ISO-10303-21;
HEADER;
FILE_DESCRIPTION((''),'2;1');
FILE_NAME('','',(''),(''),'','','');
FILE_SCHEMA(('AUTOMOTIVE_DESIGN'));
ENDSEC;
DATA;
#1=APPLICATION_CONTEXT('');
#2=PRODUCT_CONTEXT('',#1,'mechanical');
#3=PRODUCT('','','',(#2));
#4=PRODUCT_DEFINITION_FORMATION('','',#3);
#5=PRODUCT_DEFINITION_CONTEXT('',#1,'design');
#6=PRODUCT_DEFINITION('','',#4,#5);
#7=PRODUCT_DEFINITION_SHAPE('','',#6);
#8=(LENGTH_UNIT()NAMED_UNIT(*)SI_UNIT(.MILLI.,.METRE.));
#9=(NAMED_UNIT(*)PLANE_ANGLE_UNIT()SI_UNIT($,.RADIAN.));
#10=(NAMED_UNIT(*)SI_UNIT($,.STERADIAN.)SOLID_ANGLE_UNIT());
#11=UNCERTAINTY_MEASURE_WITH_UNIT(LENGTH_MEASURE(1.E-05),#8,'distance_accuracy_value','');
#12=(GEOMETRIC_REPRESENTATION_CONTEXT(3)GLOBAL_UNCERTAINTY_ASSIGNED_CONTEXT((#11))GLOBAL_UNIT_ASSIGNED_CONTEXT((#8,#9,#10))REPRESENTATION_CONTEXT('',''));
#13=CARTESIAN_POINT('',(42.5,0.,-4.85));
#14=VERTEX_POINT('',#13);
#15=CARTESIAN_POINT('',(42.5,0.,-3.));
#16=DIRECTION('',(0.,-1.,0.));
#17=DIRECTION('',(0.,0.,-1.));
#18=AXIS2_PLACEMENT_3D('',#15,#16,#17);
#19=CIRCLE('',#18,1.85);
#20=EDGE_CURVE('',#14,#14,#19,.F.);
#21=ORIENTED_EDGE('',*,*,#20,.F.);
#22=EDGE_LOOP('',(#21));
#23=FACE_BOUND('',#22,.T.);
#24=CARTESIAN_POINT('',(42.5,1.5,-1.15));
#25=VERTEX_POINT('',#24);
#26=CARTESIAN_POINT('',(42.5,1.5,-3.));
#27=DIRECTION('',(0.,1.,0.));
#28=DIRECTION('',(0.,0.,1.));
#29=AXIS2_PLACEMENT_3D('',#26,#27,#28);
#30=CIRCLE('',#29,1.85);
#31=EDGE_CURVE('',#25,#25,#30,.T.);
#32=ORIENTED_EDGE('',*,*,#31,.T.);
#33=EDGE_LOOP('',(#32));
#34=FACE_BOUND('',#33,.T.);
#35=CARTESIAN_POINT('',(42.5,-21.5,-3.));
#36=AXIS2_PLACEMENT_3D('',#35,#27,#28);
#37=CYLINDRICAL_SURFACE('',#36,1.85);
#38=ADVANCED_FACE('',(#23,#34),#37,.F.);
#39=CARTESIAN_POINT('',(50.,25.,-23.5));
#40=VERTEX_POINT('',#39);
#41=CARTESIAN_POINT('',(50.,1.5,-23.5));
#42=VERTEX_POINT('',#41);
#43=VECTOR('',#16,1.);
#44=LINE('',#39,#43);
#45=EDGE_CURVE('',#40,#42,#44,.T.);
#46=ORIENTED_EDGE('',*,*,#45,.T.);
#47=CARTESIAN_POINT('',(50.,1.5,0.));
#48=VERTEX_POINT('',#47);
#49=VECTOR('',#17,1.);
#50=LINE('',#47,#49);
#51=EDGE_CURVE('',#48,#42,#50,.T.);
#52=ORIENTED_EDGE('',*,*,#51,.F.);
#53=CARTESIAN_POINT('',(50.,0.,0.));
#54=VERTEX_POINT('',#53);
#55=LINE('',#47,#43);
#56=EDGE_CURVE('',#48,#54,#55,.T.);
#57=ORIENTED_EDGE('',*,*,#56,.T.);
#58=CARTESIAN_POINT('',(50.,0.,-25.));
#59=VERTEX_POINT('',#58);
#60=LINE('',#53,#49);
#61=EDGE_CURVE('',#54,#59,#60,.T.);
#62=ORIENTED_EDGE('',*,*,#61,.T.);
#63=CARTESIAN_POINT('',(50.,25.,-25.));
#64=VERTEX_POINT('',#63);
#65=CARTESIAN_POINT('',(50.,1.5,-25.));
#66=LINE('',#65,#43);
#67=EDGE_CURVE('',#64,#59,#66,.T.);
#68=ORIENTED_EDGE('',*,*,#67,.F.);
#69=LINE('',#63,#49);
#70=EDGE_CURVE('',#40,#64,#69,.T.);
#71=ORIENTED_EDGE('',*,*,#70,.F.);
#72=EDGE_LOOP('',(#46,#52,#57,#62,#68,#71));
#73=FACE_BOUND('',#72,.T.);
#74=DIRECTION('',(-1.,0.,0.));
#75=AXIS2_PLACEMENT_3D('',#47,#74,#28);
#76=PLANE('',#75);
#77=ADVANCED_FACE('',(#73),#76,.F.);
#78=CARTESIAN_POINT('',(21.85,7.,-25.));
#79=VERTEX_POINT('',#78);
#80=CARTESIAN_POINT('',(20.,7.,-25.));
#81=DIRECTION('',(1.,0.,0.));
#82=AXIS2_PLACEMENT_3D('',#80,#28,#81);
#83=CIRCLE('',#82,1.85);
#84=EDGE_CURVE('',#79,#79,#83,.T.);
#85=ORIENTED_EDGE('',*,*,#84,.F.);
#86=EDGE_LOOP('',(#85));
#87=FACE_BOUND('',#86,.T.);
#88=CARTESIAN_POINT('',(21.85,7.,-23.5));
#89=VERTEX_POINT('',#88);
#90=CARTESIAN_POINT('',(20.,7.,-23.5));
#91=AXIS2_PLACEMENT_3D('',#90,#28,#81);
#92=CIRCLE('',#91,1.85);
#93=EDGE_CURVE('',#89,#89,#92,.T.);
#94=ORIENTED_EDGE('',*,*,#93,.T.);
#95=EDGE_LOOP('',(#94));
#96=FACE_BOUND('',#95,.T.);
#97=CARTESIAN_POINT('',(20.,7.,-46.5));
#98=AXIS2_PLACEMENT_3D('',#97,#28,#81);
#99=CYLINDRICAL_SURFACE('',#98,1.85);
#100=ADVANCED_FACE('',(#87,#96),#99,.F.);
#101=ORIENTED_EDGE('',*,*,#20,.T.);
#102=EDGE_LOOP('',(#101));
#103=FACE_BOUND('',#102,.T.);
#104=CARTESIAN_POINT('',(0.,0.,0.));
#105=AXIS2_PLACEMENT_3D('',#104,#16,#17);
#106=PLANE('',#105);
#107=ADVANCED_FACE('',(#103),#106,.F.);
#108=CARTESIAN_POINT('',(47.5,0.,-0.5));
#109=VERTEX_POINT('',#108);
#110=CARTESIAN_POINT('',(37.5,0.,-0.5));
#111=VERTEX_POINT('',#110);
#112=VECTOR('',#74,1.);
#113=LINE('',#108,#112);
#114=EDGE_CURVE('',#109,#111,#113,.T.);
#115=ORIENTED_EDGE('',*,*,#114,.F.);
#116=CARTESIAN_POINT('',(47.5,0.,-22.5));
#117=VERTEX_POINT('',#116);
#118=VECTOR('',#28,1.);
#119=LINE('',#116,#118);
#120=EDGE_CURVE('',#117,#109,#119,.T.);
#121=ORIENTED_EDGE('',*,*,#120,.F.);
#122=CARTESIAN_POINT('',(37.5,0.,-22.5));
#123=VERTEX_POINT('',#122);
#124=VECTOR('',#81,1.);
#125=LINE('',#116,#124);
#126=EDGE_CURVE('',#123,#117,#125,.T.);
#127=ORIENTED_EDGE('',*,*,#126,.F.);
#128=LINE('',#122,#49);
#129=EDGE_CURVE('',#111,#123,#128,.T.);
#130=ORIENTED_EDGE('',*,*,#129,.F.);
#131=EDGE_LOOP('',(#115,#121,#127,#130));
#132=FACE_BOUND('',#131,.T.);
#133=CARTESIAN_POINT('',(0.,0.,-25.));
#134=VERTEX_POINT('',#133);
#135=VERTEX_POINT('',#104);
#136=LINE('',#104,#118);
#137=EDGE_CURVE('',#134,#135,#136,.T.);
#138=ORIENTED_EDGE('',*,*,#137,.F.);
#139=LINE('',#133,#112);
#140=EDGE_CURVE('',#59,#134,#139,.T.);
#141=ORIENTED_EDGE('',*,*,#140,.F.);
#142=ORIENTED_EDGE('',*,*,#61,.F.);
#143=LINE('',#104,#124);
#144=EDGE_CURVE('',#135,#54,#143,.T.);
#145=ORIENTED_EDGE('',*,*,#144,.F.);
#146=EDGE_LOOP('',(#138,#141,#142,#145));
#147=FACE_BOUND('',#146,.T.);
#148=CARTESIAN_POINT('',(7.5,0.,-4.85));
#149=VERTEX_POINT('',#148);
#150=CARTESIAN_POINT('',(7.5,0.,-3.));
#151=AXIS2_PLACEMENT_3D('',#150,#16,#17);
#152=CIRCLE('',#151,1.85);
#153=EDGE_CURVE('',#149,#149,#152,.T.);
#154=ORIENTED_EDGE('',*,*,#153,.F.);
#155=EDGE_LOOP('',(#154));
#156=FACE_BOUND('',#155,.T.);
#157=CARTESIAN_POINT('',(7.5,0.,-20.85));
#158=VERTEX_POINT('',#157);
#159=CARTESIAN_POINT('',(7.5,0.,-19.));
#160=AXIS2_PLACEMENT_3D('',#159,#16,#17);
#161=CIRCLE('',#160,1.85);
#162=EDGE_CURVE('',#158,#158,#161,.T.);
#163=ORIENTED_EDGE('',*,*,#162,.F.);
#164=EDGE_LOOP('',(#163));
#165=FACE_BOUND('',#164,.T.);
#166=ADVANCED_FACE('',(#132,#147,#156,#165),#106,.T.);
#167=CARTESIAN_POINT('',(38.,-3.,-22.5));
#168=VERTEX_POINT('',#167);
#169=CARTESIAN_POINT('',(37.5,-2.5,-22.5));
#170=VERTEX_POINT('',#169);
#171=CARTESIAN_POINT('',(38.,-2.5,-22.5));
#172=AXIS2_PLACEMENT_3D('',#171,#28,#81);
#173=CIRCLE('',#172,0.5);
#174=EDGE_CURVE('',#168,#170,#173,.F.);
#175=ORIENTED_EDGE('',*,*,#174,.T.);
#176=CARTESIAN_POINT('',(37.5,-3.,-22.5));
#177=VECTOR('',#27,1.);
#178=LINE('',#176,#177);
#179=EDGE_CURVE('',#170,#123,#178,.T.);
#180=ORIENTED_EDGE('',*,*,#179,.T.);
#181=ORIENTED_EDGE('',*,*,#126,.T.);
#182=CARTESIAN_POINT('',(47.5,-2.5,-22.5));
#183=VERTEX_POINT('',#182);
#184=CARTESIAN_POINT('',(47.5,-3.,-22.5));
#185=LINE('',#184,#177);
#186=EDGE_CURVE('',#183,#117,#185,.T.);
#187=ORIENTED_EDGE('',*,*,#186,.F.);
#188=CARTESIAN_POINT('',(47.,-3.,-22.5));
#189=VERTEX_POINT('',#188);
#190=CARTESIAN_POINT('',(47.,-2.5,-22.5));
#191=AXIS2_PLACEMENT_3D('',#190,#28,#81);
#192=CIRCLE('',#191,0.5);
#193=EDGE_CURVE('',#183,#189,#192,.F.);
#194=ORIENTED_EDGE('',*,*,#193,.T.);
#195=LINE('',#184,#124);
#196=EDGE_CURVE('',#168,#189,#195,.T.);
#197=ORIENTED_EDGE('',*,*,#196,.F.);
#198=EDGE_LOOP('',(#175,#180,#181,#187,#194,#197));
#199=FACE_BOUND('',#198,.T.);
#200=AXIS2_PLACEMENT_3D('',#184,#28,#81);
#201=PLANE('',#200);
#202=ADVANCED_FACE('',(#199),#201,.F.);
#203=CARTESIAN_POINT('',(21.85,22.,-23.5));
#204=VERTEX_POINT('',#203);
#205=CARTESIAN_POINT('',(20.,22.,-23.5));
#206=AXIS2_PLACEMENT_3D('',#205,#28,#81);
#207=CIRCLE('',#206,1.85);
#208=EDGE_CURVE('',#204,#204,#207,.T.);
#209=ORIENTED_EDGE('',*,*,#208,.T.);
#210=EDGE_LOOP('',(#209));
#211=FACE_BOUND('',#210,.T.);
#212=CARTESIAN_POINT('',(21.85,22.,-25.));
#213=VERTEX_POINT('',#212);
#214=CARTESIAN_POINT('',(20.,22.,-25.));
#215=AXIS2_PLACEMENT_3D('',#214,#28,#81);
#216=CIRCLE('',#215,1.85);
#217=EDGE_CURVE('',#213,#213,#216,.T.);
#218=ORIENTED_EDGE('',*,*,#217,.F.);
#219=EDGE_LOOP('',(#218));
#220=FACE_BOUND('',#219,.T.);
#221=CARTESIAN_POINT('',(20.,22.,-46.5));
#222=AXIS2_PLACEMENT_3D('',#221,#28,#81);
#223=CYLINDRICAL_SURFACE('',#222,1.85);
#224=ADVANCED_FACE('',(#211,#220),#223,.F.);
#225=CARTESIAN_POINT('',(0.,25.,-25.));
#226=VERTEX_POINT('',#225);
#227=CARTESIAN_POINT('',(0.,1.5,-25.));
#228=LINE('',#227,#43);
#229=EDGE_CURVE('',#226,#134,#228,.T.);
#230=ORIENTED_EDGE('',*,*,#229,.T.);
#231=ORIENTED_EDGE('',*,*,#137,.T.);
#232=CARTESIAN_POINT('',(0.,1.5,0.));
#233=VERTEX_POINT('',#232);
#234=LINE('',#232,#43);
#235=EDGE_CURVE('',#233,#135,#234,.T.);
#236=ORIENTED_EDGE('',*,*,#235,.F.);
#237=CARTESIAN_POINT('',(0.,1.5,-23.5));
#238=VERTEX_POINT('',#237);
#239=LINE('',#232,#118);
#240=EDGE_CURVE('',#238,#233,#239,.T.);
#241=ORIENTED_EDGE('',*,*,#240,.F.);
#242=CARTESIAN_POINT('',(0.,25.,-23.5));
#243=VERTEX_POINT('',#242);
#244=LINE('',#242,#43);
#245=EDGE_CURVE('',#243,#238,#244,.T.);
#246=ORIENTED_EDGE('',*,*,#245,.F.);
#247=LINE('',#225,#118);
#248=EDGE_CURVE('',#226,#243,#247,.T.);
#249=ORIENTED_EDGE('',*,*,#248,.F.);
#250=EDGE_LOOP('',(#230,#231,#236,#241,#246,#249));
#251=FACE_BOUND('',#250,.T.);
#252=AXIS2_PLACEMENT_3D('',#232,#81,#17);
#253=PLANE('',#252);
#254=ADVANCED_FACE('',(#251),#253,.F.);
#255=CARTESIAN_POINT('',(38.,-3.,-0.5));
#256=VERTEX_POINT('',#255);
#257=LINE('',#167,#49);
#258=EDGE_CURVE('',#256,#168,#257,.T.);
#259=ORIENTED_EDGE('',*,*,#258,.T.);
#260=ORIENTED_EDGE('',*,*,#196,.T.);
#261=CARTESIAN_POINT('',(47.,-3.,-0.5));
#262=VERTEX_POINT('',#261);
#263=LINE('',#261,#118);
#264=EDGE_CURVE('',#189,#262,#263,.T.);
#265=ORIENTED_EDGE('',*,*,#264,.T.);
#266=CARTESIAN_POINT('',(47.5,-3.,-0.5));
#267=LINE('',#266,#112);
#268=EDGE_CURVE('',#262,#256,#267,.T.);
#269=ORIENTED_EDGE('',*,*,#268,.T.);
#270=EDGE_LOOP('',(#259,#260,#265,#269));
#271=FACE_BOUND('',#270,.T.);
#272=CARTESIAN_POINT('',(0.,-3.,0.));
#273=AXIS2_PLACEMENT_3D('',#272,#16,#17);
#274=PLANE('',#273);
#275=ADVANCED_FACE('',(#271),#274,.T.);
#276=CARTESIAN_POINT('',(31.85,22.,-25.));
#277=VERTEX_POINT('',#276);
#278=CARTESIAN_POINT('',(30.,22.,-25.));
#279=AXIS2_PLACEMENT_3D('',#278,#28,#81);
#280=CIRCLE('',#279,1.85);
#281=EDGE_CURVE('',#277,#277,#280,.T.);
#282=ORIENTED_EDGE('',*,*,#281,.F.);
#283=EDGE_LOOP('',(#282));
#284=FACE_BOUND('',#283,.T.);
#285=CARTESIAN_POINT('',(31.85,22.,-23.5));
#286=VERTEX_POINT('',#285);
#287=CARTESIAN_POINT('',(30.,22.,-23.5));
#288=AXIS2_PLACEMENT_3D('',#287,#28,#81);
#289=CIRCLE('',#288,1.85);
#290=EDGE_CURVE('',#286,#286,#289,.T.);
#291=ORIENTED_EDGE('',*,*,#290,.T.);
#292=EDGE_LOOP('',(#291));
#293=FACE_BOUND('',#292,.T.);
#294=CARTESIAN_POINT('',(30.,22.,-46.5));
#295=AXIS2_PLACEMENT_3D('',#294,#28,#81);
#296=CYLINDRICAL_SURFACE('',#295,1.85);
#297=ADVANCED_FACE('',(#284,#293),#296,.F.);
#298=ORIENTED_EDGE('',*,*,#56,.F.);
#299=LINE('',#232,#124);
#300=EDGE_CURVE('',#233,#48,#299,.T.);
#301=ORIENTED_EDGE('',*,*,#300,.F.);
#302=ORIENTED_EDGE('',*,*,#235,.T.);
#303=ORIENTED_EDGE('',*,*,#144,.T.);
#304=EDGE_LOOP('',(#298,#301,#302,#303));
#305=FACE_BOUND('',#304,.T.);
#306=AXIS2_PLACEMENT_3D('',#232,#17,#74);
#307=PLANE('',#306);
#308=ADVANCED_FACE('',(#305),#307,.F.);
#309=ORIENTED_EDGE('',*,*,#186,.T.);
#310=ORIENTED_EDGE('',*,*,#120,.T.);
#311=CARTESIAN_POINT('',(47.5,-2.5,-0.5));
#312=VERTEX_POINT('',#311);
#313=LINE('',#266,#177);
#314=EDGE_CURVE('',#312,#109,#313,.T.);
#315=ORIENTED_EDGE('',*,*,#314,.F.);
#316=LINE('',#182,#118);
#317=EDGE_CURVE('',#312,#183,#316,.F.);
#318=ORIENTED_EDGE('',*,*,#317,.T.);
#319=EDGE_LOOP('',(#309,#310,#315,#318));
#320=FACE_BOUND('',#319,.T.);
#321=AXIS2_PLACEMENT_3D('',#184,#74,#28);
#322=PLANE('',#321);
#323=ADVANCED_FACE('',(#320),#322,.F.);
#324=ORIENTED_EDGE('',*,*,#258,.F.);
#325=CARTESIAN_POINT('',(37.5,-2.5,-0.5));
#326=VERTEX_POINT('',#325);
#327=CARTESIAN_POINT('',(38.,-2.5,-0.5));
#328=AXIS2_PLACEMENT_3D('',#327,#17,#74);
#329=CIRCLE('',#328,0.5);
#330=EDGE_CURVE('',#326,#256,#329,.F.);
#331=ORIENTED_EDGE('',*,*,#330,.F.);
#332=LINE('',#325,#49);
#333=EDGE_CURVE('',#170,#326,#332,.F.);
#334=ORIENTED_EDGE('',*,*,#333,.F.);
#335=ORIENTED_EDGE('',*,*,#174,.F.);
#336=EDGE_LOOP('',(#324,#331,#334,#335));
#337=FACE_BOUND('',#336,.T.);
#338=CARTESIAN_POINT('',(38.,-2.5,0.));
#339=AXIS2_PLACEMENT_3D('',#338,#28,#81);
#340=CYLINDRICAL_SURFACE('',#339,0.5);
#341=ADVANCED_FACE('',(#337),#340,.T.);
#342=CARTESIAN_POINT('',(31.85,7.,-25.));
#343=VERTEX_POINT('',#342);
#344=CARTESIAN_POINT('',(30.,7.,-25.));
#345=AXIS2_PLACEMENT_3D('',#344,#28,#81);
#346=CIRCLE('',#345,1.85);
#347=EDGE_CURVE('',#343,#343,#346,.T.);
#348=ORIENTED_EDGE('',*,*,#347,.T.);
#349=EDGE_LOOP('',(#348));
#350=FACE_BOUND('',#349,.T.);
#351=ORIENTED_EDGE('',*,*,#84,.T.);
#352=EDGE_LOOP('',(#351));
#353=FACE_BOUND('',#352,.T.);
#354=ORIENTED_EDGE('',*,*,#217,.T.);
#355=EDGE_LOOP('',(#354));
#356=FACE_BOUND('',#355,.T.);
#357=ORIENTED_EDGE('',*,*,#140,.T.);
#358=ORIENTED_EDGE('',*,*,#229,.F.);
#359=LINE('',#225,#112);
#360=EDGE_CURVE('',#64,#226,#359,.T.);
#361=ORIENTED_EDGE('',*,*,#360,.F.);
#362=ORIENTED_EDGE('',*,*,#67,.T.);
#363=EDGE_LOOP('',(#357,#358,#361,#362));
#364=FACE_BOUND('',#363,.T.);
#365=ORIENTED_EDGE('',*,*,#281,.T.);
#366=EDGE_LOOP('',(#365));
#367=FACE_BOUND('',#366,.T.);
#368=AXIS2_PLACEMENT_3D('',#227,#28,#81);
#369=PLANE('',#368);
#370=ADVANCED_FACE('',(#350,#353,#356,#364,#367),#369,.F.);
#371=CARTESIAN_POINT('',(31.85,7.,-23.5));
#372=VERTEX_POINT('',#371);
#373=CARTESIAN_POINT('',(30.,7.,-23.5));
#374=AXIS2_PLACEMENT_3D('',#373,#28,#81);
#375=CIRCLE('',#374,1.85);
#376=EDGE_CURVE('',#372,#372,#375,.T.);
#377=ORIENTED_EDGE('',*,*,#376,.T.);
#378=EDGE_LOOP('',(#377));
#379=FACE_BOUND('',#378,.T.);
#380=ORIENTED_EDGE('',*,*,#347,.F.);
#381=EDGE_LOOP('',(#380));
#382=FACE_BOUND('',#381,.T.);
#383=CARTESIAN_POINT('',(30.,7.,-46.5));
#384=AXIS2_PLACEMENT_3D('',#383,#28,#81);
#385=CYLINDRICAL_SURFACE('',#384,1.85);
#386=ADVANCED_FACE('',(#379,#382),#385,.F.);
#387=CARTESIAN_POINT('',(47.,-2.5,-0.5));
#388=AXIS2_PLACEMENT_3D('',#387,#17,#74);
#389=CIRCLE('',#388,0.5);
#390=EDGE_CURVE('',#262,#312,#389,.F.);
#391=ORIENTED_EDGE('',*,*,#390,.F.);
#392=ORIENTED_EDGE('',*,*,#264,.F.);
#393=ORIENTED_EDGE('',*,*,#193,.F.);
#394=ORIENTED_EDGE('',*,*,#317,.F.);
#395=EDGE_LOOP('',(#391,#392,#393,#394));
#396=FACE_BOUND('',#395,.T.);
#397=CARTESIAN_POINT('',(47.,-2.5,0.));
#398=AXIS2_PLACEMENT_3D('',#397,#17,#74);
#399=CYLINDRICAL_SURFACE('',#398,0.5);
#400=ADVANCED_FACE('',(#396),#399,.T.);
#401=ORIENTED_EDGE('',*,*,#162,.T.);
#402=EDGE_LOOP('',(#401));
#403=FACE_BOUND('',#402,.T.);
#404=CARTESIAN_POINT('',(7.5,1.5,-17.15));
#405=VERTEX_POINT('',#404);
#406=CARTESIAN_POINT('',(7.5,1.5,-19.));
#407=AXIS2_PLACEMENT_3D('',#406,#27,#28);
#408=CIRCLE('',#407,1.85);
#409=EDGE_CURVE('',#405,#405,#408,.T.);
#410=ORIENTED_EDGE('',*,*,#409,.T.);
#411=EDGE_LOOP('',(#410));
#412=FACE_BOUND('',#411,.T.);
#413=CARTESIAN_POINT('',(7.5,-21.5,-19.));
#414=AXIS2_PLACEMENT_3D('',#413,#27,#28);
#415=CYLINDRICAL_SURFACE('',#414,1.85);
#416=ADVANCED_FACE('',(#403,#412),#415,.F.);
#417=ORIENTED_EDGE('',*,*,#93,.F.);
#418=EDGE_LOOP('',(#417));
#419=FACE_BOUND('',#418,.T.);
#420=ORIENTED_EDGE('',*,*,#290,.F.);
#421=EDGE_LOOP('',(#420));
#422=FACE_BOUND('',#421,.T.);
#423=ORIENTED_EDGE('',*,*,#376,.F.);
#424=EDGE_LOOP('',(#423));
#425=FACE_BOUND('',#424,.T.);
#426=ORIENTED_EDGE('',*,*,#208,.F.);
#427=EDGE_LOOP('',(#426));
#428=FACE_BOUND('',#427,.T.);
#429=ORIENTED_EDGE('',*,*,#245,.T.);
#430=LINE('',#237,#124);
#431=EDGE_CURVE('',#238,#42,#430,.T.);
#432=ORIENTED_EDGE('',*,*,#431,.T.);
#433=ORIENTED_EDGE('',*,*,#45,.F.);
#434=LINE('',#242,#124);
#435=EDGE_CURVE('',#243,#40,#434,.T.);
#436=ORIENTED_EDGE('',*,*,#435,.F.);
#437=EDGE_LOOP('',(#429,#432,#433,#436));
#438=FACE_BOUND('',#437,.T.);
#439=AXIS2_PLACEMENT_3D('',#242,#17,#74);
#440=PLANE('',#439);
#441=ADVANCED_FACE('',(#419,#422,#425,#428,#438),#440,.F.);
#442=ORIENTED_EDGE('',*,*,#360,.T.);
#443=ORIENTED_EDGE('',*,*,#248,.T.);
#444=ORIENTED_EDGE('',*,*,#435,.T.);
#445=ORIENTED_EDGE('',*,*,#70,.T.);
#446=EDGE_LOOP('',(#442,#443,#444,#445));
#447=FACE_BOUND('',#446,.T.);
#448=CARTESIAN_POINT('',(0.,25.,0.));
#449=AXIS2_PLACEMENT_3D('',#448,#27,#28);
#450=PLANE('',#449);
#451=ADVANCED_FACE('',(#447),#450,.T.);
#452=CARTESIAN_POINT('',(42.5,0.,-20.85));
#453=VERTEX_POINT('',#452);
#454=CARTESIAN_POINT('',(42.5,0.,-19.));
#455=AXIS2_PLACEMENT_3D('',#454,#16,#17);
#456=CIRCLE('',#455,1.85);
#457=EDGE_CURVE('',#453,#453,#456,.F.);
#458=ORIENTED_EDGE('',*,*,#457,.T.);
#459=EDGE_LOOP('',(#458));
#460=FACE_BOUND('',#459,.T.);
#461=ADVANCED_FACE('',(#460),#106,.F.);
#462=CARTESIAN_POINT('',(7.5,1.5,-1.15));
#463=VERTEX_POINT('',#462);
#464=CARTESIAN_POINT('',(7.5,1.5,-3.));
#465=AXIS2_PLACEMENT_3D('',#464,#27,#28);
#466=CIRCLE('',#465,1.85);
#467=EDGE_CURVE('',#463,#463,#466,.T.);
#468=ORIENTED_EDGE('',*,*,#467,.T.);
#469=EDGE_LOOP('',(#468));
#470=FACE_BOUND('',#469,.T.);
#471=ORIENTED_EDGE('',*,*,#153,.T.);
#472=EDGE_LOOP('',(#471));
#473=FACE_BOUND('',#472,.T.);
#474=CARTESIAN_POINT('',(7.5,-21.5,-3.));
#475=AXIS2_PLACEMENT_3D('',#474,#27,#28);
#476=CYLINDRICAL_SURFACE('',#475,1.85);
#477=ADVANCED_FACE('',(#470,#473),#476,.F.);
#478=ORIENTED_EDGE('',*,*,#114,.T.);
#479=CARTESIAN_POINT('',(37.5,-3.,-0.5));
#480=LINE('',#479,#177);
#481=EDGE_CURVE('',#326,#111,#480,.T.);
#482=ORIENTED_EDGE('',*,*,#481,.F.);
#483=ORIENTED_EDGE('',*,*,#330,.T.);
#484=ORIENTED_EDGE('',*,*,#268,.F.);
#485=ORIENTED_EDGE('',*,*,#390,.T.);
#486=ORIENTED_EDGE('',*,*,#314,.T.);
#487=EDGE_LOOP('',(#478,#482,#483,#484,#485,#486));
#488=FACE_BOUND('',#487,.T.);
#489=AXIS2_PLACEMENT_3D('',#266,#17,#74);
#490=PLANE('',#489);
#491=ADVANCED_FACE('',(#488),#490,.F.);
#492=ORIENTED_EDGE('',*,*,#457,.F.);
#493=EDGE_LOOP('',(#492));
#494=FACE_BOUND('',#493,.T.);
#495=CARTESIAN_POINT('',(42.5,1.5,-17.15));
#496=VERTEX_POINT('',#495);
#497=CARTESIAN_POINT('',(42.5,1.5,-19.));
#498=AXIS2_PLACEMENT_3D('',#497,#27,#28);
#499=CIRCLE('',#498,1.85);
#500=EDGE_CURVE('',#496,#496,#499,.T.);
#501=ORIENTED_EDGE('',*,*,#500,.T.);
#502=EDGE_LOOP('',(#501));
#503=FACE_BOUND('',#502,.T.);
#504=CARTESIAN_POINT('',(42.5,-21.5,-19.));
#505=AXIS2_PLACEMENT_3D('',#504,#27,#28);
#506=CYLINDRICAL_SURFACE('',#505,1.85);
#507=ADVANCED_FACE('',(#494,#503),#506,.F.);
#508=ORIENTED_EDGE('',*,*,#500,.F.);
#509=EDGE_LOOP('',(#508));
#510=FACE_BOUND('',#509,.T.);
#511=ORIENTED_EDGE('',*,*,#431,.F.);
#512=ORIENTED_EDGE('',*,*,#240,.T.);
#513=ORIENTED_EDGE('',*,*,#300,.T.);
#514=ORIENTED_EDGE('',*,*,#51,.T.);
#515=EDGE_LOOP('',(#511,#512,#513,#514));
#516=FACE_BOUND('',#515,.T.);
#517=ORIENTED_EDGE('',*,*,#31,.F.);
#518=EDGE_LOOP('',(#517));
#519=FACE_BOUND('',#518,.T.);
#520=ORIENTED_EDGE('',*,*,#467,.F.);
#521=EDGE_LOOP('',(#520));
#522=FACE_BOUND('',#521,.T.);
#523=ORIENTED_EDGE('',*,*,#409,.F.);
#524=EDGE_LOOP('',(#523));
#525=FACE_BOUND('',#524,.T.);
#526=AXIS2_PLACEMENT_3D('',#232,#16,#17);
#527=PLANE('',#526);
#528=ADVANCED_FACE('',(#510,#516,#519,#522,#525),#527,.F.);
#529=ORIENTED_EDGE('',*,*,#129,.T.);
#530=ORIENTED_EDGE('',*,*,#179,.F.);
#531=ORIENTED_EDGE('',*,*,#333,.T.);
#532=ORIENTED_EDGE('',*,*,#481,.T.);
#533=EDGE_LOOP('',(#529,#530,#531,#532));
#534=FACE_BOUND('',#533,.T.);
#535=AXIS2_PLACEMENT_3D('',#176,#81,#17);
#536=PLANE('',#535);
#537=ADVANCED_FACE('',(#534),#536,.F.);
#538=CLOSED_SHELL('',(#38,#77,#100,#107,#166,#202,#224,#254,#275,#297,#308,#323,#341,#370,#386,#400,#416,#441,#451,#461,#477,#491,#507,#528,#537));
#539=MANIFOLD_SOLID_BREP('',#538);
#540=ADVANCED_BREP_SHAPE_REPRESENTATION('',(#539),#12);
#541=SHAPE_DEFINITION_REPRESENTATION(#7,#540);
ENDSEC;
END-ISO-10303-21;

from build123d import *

# Parameters (mm, degrees)
SKETCH1_W           = 50
SKETCH1_H           = 25
BOSS_EXTRUDE1_DEPTH = 1.5
SKETCH3_W           = 50
SKETCH3_H           = 1.5
BOSS_EXTRUDE2_DEPTH = 23.5
SKETCH4_R           = 1.85
CUT_EXTRUDE1_DEPTH  = 23
SKETCH5_R           = 1.85
CUT_EXTRUDE2_DEPTH  = 23
SKETCH6_W           = 10
SKETCH6_H           = 22
BOSS_EXTRUDE3_DEPTH = 3
FILLET1_R           = 0.5


with BuildPart() as part:
    # Sketch1 → Boss-Extrude1 (new body)
    with BuildSketch(Plane(origin=(0, 0, 0), x_dir=(1, 0, 0), z_dir=(0, 1, 0))):
        with Locations((25, 12.5)):
            Rectangle(SKETCH1_W, SKETCH1_H)
    extrude(amount=BOSS_EXTRUDE1_DEPTH)

    # Sketch3 → Boss-Extrude2 (add)
    with BuildSketch(Plane(origin=(0, 1.5, 0), x_dir=(1, 0, 0), z_dir=(0, 1, 0))):
        with Locations((25, 24.25)):
            Rectangle(SKETCH3_W, SKETCH3_H)
    extrude(amount=BOSS_EXTRUDE2_DEPTH)

    # Sketch4 → Cut-Extrude1 (cut)
    with BuildSketch(Plane.XY.offset(-23.5)):
        with Locations((20, 22)):
            Circle(SKETCH4_R)
        with Locations((30, 22)):
            Circle(SKETCH4_R)
        with Locations((30, 7)):
            Circle(SKETCH4_R)
        with Locations((20, 7)):
            Circle(SKETCH4_R)
    extrude(amount=-CUT_EXTRUDE1_DEPTH, mode=Mode.SUBTRACT)

    # Sketch5 → Cut-Extrude2 (cut)
    with BuildSketch(Plane(origin=(0, 1.5, 0), x_dir=(1, 0, 0), z_dir=(0, 1, 0))):
        with Locations((7.5, 3)):
            Circle(SKETCH5_R)
        with Locations((7.5, 19)):
            Circle(SKETCH5_R)
        with Locations((42.5, 3)):
            Circle(SKETCH5_R)
        with Locations((42.5, 19)):
            Circle(SKETCH5_R)
    extrude(amount=-CUT_EXTRUDE2_DEPTH, mode=Mode.SUBTRACT)

    # Sketch6 → Boss-Extrude3 (add)
    with BuildSketch(Plane.XZ):
        with Locations((42.5, -11.5)):
            Rectangle(SKETCH6_W, SKETCH6_H)
    extrude(amount=BOSS_EXTRUDE3_DEPTH)

    # Fillet1
    fillet1_edges = [part.edges().sort_by_distance(p)[0] for p in [
        (47.5, -3, -11.5),
        (37.5, -3, -11.5),
    ]]
    fillet(fillet1_edges, radius=FILLET1_R)


solid = part.part
